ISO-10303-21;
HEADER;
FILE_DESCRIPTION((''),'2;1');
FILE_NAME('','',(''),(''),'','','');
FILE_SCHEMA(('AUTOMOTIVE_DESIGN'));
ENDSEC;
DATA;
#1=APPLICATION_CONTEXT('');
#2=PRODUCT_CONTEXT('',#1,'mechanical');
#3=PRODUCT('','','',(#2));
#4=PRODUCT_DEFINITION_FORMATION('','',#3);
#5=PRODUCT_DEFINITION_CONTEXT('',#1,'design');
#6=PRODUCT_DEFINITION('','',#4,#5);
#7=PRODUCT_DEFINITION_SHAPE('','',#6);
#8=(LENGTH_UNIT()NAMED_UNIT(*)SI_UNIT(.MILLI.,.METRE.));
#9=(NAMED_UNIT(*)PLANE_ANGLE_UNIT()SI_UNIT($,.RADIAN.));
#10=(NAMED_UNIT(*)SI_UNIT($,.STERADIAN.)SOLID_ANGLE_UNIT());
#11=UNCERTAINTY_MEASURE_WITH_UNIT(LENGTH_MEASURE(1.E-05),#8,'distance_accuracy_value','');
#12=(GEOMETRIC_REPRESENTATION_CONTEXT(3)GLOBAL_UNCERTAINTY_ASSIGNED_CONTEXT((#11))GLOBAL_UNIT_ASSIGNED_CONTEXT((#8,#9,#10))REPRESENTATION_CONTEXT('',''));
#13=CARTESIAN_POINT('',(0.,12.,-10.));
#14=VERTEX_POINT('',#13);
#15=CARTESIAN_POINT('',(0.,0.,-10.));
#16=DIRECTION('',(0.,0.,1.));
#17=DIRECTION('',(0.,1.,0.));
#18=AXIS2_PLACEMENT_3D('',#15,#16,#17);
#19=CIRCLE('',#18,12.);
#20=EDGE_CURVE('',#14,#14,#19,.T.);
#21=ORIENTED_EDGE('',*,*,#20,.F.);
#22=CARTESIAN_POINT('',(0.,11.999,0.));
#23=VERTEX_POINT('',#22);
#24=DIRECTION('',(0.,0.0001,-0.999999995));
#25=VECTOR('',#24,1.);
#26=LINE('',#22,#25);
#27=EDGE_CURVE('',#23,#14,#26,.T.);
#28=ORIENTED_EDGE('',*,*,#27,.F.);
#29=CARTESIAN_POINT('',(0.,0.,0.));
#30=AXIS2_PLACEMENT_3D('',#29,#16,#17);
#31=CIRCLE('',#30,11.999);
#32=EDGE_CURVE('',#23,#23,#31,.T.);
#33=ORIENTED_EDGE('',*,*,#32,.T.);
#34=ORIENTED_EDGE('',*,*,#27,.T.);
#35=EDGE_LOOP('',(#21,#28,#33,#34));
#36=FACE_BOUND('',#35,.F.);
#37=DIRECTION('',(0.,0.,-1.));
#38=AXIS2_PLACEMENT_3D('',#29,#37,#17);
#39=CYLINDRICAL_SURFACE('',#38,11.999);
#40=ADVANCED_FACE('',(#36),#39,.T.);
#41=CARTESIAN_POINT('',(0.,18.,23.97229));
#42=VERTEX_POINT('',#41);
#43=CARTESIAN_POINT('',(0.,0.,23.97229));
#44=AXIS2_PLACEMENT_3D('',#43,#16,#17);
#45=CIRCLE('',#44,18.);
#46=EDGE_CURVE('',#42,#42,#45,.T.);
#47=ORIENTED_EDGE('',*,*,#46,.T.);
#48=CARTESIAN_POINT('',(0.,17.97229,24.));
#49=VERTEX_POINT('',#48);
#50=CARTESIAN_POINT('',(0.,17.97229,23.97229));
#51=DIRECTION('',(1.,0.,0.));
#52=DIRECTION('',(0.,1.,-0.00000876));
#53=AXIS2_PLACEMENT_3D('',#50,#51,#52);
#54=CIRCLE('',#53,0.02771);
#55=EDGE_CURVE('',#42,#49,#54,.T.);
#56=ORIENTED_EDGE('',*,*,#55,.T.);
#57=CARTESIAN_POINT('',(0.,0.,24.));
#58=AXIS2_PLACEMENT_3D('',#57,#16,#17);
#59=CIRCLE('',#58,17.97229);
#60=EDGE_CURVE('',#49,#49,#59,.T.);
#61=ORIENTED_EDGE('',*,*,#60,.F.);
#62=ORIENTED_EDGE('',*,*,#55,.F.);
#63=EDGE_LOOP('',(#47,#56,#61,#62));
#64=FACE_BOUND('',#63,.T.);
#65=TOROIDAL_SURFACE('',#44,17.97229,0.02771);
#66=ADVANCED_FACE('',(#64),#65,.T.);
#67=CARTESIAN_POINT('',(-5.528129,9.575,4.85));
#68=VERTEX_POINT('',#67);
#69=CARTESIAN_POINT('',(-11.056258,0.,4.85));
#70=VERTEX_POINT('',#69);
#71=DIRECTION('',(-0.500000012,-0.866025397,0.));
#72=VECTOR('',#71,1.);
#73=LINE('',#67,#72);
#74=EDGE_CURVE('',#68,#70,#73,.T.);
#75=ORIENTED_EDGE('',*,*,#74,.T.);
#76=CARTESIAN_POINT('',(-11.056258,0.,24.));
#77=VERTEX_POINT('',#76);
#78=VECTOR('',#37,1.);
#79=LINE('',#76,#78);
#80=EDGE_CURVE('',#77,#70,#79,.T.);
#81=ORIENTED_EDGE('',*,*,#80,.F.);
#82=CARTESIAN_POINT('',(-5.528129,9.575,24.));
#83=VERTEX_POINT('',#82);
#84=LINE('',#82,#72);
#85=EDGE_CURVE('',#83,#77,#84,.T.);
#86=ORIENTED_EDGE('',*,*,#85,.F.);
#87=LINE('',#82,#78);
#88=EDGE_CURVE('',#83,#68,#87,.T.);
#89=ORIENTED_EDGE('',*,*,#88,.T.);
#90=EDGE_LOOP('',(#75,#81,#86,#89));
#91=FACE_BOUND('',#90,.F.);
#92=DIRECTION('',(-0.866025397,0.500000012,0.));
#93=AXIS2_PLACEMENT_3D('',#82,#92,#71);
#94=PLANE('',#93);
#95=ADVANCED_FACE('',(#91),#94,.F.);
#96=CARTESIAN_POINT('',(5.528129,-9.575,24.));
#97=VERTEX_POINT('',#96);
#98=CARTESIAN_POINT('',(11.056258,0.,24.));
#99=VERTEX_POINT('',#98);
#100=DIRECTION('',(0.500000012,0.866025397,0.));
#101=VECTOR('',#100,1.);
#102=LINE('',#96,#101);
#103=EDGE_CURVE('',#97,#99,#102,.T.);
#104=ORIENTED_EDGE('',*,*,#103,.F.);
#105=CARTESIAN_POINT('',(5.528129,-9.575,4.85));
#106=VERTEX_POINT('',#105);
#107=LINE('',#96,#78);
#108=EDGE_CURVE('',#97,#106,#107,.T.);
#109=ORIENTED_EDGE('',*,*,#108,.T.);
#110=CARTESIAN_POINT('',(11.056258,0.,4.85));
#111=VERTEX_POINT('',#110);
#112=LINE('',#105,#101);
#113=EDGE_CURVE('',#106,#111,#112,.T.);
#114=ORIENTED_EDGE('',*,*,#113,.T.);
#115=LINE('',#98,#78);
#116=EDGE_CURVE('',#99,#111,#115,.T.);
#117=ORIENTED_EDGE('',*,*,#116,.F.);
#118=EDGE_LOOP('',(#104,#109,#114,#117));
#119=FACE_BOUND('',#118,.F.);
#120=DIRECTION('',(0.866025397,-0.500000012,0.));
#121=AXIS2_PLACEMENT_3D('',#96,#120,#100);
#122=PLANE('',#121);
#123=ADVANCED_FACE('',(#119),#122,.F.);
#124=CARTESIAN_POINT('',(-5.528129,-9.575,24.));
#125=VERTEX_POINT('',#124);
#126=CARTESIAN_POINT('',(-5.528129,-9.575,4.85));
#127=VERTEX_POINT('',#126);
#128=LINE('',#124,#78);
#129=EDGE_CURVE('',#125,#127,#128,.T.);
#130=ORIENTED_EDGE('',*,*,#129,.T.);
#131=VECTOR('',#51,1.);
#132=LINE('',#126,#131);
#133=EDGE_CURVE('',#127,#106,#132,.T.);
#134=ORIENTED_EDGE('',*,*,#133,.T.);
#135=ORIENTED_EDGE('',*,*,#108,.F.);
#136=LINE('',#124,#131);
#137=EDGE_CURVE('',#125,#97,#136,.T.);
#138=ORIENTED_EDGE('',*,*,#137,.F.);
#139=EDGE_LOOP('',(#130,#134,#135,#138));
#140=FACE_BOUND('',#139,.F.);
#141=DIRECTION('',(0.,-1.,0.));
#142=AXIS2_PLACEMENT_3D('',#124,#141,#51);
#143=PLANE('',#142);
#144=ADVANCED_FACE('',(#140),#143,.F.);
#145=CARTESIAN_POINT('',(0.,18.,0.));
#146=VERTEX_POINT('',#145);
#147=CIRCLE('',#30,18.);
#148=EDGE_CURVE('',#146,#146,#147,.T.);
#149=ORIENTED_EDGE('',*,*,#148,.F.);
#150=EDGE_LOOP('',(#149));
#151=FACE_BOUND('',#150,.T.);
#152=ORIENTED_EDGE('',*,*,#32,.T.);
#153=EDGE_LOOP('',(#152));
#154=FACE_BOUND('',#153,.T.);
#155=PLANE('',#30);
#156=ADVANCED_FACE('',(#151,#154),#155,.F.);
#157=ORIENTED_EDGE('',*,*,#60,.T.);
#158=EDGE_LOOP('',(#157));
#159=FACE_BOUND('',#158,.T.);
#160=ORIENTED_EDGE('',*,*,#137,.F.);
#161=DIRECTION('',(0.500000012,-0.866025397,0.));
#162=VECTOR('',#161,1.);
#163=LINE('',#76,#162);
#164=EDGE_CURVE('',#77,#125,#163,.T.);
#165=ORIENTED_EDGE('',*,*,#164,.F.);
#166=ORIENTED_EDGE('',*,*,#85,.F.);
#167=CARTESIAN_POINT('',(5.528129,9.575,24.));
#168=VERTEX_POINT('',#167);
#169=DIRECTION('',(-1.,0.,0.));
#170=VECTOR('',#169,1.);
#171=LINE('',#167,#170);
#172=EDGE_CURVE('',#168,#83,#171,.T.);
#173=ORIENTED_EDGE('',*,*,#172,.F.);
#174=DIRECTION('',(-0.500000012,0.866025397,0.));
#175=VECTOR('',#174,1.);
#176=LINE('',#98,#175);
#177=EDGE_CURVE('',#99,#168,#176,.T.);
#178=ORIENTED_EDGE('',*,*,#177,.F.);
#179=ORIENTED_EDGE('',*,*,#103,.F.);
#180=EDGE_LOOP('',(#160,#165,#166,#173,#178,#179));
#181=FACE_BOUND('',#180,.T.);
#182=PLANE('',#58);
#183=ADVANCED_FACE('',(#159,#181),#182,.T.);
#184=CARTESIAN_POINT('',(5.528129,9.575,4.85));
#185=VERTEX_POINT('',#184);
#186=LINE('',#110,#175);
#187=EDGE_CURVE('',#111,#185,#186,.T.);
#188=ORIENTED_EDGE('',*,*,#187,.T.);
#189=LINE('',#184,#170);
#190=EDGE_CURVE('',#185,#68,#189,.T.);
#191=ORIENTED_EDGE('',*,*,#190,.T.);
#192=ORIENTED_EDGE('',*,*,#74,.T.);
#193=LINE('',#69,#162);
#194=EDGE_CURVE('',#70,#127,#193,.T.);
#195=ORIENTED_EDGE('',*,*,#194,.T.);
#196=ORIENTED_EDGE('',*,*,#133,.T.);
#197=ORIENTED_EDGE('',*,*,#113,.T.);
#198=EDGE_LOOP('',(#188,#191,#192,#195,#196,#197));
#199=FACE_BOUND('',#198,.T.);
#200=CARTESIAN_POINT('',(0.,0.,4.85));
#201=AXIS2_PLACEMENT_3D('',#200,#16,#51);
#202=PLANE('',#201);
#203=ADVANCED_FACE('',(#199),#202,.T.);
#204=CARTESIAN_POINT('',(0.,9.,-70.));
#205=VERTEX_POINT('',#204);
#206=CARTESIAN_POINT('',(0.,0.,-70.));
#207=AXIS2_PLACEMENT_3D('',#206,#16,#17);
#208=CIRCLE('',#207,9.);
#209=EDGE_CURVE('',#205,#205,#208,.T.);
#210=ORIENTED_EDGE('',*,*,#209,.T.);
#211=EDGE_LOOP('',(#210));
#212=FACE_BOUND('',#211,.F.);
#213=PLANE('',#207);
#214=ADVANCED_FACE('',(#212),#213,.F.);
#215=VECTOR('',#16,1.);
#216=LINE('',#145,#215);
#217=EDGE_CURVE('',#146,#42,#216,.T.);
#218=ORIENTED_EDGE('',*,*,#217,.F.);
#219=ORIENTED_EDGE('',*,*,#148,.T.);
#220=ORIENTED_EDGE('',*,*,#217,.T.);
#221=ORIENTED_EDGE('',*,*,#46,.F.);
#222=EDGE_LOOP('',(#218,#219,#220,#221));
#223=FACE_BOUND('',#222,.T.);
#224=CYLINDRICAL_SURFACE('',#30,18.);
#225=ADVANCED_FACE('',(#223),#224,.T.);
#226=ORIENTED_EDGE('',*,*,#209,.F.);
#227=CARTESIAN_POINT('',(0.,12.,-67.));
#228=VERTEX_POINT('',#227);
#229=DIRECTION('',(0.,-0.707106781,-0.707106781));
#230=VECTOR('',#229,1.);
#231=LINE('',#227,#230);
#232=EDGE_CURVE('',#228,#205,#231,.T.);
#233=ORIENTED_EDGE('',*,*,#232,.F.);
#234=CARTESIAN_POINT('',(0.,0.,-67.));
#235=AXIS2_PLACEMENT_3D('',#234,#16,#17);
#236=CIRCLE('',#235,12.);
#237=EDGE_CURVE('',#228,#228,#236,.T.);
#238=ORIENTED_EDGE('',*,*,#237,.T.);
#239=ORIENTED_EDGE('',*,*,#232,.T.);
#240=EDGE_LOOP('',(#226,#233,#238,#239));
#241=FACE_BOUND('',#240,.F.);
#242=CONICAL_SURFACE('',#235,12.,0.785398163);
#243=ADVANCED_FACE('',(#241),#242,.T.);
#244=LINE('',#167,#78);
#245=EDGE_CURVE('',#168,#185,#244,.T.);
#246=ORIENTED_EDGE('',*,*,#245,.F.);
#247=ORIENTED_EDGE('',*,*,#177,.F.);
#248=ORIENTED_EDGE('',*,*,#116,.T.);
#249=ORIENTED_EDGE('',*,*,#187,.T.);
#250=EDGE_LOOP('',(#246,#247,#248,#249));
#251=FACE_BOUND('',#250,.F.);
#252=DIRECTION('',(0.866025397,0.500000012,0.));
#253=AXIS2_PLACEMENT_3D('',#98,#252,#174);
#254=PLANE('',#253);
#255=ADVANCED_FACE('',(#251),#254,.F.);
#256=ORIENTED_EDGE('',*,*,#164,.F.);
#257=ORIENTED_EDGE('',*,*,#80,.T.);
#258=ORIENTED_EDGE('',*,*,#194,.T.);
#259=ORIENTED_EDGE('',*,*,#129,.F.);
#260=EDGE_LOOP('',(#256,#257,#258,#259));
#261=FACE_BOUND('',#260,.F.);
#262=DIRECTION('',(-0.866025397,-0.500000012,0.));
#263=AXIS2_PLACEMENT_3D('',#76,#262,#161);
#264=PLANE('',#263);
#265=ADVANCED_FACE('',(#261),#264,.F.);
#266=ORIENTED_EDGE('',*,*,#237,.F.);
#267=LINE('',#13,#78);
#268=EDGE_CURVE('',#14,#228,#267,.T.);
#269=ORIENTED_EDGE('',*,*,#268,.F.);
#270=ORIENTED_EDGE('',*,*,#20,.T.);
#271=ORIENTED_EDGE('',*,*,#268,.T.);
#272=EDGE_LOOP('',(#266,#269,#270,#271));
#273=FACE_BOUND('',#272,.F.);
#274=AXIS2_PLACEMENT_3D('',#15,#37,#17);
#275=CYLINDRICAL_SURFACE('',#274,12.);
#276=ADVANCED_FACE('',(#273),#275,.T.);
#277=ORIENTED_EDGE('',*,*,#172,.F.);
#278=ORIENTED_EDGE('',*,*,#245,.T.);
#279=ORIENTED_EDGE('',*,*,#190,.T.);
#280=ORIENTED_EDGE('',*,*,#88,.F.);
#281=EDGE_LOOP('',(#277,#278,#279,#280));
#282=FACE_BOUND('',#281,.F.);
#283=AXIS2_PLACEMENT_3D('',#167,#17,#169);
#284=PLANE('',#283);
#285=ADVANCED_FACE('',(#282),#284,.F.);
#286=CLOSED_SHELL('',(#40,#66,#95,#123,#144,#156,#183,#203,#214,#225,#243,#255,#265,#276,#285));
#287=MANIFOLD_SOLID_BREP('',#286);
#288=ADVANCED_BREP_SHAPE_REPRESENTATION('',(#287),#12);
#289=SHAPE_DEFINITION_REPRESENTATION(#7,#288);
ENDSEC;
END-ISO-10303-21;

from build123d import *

# Parameters (mm, degrees)
POCKET_DEPTH = 19.15


with BuildPart() as part:
    # Sketch → Revolve (revolve)
    with BuildSketch(Plane.YZ):
        with BuildLine():
            Line((11.999, 0), (18, 0))
            Line((18, 0), (18, 23.97229))
            ThreePointArc((18, 23.97229), (17.991884, 23.991884), (17.97229, 24))
            Line((17.97229, 24), (0, 24))
            Line((0, -70), (0, 24))
            Line((9, -70), (0, -70))
            Line((12, -67), (9, -70))
            Line((12, -10), (12, -67))
            Line((11.999, 0), (12, -10))
        make_face()
    revolve(axis=Axis((0, 0, 0), (0, 0, 1)))

    # Sketch001 → Pocket (cut)
    with BuildSketch(Plane.XY.offset(24)):
        Polygon((11.056258, 0), (5.528129, 9.575), (-5.528129, 9.575), (-11.056258, 0), (-5.528129, -9.575), (5.528129, -9.575), align=None)
    extrude(amount=-POCKET_DEPTH, mode=Mode.SUBTRACT)


solid = part.part
